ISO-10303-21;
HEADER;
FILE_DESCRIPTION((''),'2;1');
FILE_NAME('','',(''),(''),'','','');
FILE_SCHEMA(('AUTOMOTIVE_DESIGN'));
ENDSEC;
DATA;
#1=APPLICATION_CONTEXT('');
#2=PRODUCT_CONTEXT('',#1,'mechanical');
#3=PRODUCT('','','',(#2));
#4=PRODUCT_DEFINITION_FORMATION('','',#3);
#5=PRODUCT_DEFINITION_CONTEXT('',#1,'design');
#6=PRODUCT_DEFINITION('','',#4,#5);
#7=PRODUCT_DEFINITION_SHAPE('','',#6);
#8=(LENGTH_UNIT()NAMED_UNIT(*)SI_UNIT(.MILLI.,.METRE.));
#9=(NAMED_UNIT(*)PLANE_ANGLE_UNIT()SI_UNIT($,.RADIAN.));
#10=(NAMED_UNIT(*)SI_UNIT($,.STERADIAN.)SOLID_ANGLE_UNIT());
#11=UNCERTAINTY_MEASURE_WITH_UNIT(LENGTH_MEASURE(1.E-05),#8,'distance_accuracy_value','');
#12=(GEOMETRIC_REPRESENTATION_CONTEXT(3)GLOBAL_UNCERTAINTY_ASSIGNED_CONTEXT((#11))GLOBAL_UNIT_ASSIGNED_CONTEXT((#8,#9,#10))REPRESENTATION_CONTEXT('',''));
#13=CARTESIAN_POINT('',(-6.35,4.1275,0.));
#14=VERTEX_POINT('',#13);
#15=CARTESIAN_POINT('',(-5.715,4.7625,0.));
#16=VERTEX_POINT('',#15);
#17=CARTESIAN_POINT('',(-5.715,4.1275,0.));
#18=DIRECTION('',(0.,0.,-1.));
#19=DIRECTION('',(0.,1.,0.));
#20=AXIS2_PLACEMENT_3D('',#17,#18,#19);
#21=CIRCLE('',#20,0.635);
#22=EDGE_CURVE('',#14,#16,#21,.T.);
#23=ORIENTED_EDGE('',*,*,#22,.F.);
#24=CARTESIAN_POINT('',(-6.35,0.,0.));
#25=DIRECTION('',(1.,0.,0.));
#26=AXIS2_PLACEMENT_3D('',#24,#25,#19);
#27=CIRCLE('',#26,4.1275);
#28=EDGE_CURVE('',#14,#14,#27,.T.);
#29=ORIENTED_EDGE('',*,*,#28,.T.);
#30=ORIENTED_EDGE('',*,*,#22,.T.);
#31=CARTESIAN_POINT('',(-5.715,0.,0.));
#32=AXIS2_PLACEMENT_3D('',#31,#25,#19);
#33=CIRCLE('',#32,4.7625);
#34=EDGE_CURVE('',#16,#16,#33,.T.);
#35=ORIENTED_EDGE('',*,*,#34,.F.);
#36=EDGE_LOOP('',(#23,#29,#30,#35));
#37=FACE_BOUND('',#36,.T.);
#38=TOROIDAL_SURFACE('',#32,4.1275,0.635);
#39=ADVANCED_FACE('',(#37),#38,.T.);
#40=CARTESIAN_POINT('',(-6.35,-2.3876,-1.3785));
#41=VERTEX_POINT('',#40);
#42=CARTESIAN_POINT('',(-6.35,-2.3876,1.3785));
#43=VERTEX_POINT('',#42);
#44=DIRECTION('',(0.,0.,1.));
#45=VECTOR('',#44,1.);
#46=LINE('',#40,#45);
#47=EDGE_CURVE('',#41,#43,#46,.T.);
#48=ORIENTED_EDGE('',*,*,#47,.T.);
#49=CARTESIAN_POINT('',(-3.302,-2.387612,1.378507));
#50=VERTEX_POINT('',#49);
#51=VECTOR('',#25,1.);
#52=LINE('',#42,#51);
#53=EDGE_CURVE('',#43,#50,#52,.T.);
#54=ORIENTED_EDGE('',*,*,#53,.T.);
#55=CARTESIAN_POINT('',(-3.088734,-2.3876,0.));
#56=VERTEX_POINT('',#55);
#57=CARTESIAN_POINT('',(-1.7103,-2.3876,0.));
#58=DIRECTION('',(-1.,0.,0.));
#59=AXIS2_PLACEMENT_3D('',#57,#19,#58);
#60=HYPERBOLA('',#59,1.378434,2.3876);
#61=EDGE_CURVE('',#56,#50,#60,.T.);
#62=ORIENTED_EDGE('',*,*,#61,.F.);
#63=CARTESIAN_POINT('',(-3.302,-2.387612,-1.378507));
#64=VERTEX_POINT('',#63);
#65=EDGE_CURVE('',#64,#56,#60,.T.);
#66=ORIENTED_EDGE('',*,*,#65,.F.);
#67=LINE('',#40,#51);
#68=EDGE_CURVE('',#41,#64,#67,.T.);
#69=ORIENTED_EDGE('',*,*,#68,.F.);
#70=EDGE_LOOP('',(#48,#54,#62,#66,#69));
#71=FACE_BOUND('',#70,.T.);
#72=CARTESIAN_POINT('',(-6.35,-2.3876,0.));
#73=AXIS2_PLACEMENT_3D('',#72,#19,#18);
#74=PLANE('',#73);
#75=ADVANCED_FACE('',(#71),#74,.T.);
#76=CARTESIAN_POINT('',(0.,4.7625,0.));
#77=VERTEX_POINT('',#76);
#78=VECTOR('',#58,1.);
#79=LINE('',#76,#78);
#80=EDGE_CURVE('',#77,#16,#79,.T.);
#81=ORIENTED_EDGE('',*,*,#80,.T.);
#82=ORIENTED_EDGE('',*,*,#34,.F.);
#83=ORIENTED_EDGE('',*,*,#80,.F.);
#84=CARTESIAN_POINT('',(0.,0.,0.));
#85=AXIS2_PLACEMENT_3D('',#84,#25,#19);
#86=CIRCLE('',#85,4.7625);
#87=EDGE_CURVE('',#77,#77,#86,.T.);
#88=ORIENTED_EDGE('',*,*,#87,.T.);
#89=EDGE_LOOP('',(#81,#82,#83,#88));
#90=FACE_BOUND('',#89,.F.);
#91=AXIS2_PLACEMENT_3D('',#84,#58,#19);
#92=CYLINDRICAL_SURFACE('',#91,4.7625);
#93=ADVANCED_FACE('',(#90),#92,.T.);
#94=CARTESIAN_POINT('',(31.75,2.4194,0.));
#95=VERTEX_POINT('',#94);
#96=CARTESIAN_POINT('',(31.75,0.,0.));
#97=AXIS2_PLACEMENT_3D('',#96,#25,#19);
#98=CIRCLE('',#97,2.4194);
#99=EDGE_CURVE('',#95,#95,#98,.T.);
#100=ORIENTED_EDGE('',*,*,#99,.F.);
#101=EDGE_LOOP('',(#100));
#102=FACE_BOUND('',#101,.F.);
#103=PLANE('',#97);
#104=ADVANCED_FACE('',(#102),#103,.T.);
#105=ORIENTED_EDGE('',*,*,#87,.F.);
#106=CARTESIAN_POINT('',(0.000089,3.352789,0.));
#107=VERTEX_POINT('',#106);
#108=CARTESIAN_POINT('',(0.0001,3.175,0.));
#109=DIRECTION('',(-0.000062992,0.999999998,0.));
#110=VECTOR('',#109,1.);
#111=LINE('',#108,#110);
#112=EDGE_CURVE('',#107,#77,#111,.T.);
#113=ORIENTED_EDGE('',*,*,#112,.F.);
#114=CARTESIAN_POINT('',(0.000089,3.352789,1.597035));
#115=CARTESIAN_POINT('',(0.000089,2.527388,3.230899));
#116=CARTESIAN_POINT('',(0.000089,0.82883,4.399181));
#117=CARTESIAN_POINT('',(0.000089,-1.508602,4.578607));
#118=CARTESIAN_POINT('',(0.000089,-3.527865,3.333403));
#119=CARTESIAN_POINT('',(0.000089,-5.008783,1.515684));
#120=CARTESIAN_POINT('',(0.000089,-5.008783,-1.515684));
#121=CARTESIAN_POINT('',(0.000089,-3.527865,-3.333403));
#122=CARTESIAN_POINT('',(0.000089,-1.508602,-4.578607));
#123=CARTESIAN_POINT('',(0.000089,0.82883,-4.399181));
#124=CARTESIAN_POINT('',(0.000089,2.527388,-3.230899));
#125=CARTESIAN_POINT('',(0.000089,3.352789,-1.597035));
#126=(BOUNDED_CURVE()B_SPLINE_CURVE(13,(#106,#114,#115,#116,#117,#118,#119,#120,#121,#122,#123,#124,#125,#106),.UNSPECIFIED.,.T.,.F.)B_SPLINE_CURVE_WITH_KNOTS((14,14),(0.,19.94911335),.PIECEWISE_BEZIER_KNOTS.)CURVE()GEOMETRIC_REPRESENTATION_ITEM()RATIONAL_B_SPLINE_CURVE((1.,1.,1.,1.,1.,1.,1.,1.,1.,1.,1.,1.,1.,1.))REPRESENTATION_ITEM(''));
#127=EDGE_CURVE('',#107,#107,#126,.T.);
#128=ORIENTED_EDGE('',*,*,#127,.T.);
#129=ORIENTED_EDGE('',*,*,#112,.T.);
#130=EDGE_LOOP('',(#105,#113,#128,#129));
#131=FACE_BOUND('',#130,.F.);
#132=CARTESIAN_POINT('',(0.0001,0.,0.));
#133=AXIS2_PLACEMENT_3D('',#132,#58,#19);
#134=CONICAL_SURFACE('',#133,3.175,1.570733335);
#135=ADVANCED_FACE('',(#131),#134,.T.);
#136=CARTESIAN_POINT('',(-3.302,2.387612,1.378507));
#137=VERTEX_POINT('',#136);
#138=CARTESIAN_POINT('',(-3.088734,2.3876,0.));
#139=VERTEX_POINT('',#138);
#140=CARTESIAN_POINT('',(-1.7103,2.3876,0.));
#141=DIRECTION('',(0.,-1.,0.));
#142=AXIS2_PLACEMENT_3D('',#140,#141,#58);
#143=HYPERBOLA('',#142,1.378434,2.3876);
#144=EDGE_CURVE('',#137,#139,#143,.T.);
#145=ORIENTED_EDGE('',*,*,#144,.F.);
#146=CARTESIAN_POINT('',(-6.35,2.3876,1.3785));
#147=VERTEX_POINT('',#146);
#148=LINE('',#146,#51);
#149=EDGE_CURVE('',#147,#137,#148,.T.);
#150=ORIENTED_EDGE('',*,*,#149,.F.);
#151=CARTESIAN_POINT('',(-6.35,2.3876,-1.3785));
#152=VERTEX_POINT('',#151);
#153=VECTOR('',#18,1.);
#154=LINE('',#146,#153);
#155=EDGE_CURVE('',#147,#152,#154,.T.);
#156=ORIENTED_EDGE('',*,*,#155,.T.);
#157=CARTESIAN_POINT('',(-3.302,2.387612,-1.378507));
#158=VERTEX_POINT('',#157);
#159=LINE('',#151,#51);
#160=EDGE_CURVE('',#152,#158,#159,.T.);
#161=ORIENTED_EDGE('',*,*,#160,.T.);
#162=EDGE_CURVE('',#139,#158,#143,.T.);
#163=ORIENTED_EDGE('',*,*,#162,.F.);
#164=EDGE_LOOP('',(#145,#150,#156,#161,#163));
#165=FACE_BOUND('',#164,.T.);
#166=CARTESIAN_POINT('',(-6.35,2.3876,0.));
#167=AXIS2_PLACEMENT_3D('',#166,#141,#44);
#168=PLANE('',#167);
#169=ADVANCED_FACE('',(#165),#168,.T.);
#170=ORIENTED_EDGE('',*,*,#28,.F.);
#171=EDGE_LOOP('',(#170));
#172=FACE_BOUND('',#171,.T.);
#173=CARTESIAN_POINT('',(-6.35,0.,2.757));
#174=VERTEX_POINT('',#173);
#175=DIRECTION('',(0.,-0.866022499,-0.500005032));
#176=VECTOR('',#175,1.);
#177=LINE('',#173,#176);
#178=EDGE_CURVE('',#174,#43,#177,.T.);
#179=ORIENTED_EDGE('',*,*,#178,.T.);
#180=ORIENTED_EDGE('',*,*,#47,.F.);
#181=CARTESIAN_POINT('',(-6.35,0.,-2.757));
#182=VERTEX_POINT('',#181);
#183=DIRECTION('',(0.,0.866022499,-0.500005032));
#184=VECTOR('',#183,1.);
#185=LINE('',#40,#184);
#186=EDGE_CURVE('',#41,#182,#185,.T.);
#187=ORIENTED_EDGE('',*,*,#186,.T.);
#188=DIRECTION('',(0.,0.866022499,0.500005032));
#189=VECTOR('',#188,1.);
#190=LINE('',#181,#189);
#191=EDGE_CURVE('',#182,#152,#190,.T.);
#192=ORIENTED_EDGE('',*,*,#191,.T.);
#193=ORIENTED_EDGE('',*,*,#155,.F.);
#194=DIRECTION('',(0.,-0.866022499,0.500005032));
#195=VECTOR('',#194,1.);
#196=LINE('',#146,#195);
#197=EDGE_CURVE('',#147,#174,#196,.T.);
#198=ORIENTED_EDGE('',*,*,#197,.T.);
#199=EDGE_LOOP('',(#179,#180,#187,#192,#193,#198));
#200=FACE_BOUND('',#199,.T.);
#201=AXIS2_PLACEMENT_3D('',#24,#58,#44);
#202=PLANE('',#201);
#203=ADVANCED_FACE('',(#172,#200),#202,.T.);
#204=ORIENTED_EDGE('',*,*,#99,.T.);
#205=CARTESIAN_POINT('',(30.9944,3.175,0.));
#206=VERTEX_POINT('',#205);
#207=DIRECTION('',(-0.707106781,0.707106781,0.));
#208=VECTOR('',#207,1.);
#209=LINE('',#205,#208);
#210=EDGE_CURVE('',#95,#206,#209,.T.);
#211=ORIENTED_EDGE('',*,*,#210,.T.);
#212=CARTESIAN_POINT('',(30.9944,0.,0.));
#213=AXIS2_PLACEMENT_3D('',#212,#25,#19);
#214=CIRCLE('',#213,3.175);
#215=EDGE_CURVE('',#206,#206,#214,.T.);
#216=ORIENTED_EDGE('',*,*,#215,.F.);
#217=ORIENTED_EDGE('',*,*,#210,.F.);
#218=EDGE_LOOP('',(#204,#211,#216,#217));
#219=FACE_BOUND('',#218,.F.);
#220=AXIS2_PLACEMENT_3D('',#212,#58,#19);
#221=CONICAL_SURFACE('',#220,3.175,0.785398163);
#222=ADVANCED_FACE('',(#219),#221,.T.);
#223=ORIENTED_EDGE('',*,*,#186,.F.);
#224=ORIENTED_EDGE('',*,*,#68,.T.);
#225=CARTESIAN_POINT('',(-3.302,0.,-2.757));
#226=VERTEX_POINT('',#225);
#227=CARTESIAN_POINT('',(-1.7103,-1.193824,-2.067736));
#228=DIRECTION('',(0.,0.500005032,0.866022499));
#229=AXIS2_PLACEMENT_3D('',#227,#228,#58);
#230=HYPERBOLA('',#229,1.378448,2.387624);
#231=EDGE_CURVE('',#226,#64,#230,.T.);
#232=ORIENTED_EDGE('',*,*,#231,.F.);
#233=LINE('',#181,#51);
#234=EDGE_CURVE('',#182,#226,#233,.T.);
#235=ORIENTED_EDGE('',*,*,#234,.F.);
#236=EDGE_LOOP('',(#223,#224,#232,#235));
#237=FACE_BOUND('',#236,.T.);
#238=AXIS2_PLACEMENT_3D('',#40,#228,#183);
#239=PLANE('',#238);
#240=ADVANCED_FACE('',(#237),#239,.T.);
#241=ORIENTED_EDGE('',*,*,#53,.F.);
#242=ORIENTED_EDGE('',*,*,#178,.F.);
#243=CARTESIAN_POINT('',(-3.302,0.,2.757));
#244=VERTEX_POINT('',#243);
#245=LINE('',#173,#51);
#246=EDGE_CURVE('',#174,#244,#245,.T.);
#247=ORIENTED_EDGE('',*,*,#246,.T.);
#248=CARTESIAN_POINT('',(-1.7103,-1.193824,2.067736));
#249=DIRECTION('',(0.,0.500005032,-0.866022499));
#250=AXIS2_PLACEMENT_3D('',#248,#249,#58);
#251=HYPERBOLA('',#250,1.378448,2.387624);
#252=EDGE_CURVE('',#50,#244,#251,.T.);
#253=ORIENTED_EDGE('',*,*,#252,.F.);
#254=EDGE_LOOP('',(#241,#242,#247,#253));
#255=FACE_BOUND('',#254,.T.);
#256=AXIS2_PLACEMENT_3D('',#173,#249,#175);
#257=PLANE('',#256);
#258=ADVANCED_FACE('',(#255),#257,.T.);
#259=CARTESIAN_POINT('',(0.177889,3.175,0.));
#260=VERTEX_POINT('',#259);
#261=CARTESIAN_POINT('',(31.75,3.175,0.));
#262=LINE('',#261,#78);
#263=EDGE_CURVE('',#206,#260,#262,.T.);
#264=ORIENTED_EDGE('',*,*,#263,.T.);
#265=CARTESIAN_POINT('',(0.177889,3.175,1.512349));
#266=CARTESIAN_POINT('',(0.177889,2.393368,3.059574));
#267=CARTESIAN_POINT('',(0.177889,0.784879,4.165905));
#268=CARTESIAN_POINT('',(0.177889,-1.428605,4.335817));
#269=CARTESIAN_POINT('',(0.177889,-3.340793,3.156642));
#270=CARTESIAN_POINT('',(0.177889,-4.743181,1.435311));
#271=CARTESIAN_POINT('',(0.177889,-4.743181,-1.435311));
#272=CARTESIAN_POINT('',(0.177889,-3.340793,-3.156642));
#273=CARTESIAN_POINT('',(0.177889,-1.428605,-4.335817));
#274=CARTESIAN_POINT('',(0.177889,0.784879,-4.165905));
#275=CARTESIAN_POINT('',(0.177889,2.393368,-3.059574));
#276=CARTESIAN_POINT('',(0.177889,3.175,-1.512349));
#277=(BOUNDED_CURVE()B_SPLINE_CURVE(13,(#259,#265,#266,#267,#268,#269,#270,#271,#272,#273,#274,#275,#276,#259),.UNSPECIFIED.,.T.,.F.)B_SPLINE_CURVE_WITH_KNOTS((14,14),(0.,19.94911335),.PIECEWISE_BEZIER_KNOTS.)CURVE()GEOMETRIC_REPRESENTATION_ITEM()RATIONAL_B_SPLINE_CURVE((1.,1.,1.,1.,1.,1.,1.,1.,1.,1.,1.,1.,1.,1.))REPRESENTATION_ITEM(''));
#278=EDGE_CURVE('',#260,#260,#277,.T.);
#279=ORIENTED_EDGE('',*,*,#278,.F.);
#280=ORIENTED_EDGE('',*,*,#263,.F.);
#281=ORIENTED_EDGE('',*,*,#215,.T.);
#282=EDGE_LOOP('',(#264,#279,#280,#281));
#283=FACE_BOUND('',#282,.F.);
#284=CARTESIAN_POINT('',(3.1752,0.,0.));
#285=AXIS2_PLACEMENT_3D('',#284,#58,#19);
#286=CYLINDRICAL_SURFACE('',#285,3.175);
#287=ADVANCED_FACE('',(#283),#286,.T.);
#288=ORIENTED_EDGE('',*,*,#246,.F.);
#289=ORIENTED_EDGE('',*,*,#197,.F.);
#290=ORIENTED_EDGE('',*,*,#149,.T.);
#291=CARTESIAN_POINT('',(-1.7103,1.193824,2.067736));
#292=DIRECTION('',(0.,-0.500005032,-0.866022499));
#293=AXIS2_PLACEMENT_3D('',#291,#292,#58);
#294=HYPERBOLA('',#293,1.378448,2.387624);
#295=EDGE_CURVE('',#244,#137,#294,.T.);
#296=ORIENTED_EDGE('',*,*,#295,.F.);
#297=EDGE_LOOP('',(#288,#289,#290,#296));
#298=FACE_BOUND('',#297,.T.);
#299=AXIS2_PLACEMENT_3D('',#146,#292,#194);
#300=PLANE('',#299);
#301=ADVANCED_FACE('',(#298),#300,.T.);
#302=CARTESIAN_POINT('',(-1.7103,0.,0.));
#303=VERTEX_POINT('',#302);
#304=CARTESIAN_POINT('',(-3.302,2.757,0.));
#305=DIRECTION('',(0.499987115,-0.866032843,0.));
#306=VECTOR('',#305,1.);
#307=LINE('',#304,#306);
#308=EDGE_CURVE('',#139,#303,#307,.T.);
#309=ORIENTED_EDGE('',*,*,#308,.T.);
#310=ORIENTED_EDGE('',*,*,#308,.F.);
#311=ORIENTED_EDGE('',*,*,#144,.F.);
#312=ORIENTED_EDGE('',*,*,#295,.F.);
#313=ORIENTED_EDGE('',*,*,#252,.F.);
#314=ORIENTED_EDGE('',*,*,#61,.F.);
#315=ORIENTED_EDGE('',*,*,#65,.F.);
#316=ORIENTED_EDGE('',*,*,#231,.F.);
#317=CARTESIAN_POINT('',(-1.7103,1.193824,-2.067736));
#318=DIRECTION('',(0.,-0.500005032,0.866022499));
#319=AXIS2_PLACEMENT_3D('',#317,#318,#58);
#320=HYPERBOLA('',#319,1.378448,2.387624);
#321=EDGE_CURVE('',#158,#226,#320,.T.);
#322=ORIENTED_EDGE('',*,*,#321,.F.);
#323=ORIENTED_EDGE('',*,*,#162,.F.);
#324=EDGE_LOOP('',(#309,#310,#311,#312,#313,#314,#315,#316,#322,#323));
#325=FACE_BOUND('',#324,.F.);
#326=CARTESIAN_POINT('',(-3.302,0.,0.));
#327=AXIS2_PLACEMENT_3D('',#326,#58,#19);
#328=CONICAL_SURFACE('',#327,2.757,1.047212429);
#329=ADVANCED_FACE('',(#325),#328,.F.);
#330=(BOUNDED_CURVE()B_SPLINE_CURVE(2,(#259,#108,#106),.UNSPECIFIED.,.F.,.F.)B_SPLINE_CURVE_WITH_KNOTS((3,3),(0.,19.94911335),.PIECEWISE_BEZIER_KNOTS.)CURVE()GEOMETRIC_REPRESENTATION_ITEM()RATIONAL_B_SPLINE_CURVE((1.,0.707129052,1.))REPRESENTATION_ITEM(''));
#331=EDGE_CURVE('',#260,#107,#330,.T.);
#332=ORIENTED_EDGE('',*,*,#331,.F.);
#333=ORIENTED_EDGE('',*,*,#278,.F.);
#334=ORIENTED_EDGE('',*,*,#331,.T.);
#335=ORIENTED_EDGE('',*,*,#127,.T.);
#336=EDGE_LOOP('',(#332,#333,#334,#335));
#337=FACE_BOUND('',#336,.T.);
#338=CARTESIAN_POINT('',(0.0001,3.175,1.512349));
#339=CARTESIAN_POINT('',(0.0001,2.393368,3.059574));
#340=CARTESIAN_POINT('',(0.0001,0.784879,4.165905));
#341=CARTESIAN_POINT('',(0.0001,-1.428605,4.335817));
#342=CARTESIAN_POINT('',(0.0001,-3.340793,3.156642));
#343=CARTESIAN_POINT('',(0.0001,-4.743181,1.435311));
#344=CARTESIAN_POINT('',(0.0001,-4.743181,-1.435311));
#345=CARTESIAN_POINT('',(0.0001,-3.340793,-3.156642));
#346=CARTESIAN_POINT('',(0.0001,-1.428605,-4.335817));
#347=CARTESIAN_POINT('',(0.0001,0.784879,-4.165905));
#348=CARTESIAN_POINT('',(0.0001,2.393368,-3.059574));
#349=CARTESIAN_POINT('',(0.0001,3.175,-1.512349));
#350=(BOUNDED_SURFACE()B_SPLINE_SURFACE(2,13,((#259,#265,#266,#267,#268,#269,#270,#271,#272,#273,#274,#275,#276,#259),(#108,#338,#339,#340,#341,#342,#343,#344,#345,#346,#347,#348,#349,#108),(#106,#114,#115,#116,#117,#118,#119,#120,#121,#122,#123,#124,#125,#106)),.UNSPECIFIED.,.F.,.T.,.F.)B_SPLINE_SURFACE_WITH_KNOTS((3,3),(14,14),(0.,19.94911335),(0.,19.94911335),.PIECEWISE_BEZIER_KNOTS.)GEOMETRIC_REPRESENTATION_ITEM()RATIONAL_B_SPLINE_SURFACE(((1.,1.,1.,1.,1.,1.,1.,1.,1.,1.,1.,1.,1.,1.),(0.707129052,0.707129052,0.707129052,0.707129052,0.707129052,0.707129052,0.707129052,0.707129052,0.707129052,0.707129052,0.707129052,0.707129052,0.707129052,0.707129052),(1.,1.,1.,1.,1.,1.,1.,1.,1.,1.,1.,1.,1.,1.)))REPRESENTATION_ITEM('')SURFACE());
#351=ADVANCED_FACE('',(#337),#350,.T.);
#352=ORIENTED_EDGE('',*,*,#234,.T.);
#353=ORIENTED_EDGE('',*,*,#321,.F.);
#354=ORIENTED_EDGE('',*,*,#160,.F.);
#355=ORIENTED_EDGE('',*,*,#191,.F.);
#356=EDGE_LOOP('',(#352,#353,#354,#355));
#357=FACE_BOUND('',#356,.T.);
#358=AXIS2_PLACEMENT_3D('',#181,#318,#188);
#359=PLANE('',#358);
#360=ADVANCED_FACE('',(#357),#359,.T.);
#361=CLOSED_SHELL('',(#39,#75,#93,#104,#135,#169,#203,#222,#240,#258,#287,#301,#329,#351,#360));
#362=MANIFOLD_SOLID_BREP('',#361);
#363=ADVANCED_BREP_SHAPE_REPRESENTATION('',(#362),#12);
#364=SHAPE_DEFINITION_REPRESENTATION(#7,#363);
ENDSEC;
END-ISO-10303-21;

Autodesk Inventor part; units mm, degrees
ref_plane "YZ Plane" through (0, 0, 0) normal (1, 0, 0) x (0, 1, 0)
ref_plane "XZ Plane" through (0, 0, 0) normal (0, 1, 0) x (-1, 0, 0)
sketch "Sketch1" plane through (0, 0, 0) normal (0, 0, 1) x (1, 0, 0)
  line L0 (-1.7103, 0) -> (31.75, 0)
  line L1 (31.75, 0) -> (31.75, 3.175)
  line L2 (31.75, 3.175) -> (3.1752, 3.175)
  line L3 (3.1752, 3.175) -> (0.0001, 3.175)
  line L4 (0.0001, 3.175) -> (0, 3.175)
  line L5 (0, 3.175) -> (0, 4.7625)
  line L6 (0, 4.7625) -> (-6.35, 4.7625)
  line L7 (-6.35, 4.7625) -> (-6.35, 2.757)
  line L8 (-6.35, 2.757) -> (-3.302, 2.757)
  line L9 (-3.302, 2.757) -> (-1.7103, 0)
  line L10 (-13.97, 0) -> (39.37, 0) projected
  line L11 (0, -0.9525) -> (0, 5.715) projected
  line L12 (3.1752, 3.175) -> (0, 3.175) construction
  dimension "d1" = 28.5748
  dimension "d2" = 3.1751
  dimension "d3" = 6.35
  dimension "d4" = 3.048
  dimension "d5" = 60
  dimension "d6" = 6.35
  dimension "d7" = 6.35
  dimension "d8" = 5.5139
  dimension "d9" = 9.525
  dimension "d26" = 31.75
revolve "Body" add sketch "Sketch1" angle 360 about axis through (-1.7103, 0, 0) along (1, 0, 0)
sketch "Sketch2" plane through (-6.35, 0, 0) normal (-1, 0, 0) x (0, 0, 1)
  circle A0 centre (0, 0) radius 2.757 projected
  line L0 (0, -6.6675) -> (0, 6.6675) projected
  line L1 (-6.6675, 0) -> (6.6675, 0) projected
  line L2 (2.757, 0) -> (1.3785, -2.3876)
  line L3 (1.3785, -2.3876) -> (-1.3785, -2.3876)
  line L4 (-1.3785, -2.3876) -> (-2.757, 0)
  line L5 (-2.757, 0) -> (-1.3785, 2.3876)
  line L6 (-1.3785, 2.3876) -> (1.3785, 2.3876)
  line L7 (1.3785, 2.3876) -> (2.757, 0)
extrude "Slot" add sketch "Sketch2" against normal up to next contours L7 A0 | A0 L2 | L6 L0 A0 | A0 L0 L3 | L0 L6 A0 | A0 L3 L0 | L4 A0 | A0 L5
fillet "Fillet1" radius 0.635 1 edges at (-6.35, -4.7625, 0)
thread "Thread" size "1/4-20 UNC" class "2A" standard "ANSI Unified Screw Threads" length 28.5748
chamfer "Chamfer1" distance 0.7556 distance2 0.7556 1 edges at (31.75, -3.175, 0) measured on face at (31.75, -0.7017, -0.0433)
ref_plane "Work Plane1" through (29, 0, 0) normal (0, -1, 0) x (1, 0, 0)
fillet "Fillet2" radius 0.1778 1 edges at (0.0001, -3.175, 0)
equation "\"d1\" = GEL"
equation "\"d3\" = KOH"
equation "\"d4\" = INTI"
equation "\"d6\" = GD"
equation "\"d7\" = BDM"
equation "\"d8\" = 1.1547 * SW"
equation "\"d9\" = KOD"
equation "\"d26\" = NLG"
equation "\"d30\" = R"
equation "\"d17\" = RR"
equation "\"d13\" = GEL"
equation "\"d15\" = -0.5 * SPD + 0.5 * GD"
equation "\"d16\" = GUL"
equation "\"GD\" = 6.35"
equation "\"NLG\" = 31.75"
equation "\"GEL\" = 28.5748"
equation "\"KOD\" = 9.525"
equation "\"KOH\" = 6.35"
equation "\"INTI\" = 3.048"
equation "\"GAL\" = 3.175"
equation "\"GUL\" = 0.75565"
equation "\"BDM\" = 6.35"
equation "\"SW\" = 4.7752"
equation "\"RR\" = 0.635"
equation "\"SPD\" = 4.8387"
equation "\"R\" = 0.1778"
equation "\"PHH\" = 0.2032"
equation "\"GD1\" = SPD"
equation "\"THREADDIA\" = 6.35"
equation "\"FAWI\" = 45deg"
equation "\"KOH1\" = 5.715"
equation "\"NND\" = 6.35"
equation "\"TOA\" = 30deg"
equation "\"E0\" = 1.155 * SW"
properties part number "ANSI B18.3 - 1/4 - 20 UNC - 1 1/4 HS HCS" material "Steel, Mild"
